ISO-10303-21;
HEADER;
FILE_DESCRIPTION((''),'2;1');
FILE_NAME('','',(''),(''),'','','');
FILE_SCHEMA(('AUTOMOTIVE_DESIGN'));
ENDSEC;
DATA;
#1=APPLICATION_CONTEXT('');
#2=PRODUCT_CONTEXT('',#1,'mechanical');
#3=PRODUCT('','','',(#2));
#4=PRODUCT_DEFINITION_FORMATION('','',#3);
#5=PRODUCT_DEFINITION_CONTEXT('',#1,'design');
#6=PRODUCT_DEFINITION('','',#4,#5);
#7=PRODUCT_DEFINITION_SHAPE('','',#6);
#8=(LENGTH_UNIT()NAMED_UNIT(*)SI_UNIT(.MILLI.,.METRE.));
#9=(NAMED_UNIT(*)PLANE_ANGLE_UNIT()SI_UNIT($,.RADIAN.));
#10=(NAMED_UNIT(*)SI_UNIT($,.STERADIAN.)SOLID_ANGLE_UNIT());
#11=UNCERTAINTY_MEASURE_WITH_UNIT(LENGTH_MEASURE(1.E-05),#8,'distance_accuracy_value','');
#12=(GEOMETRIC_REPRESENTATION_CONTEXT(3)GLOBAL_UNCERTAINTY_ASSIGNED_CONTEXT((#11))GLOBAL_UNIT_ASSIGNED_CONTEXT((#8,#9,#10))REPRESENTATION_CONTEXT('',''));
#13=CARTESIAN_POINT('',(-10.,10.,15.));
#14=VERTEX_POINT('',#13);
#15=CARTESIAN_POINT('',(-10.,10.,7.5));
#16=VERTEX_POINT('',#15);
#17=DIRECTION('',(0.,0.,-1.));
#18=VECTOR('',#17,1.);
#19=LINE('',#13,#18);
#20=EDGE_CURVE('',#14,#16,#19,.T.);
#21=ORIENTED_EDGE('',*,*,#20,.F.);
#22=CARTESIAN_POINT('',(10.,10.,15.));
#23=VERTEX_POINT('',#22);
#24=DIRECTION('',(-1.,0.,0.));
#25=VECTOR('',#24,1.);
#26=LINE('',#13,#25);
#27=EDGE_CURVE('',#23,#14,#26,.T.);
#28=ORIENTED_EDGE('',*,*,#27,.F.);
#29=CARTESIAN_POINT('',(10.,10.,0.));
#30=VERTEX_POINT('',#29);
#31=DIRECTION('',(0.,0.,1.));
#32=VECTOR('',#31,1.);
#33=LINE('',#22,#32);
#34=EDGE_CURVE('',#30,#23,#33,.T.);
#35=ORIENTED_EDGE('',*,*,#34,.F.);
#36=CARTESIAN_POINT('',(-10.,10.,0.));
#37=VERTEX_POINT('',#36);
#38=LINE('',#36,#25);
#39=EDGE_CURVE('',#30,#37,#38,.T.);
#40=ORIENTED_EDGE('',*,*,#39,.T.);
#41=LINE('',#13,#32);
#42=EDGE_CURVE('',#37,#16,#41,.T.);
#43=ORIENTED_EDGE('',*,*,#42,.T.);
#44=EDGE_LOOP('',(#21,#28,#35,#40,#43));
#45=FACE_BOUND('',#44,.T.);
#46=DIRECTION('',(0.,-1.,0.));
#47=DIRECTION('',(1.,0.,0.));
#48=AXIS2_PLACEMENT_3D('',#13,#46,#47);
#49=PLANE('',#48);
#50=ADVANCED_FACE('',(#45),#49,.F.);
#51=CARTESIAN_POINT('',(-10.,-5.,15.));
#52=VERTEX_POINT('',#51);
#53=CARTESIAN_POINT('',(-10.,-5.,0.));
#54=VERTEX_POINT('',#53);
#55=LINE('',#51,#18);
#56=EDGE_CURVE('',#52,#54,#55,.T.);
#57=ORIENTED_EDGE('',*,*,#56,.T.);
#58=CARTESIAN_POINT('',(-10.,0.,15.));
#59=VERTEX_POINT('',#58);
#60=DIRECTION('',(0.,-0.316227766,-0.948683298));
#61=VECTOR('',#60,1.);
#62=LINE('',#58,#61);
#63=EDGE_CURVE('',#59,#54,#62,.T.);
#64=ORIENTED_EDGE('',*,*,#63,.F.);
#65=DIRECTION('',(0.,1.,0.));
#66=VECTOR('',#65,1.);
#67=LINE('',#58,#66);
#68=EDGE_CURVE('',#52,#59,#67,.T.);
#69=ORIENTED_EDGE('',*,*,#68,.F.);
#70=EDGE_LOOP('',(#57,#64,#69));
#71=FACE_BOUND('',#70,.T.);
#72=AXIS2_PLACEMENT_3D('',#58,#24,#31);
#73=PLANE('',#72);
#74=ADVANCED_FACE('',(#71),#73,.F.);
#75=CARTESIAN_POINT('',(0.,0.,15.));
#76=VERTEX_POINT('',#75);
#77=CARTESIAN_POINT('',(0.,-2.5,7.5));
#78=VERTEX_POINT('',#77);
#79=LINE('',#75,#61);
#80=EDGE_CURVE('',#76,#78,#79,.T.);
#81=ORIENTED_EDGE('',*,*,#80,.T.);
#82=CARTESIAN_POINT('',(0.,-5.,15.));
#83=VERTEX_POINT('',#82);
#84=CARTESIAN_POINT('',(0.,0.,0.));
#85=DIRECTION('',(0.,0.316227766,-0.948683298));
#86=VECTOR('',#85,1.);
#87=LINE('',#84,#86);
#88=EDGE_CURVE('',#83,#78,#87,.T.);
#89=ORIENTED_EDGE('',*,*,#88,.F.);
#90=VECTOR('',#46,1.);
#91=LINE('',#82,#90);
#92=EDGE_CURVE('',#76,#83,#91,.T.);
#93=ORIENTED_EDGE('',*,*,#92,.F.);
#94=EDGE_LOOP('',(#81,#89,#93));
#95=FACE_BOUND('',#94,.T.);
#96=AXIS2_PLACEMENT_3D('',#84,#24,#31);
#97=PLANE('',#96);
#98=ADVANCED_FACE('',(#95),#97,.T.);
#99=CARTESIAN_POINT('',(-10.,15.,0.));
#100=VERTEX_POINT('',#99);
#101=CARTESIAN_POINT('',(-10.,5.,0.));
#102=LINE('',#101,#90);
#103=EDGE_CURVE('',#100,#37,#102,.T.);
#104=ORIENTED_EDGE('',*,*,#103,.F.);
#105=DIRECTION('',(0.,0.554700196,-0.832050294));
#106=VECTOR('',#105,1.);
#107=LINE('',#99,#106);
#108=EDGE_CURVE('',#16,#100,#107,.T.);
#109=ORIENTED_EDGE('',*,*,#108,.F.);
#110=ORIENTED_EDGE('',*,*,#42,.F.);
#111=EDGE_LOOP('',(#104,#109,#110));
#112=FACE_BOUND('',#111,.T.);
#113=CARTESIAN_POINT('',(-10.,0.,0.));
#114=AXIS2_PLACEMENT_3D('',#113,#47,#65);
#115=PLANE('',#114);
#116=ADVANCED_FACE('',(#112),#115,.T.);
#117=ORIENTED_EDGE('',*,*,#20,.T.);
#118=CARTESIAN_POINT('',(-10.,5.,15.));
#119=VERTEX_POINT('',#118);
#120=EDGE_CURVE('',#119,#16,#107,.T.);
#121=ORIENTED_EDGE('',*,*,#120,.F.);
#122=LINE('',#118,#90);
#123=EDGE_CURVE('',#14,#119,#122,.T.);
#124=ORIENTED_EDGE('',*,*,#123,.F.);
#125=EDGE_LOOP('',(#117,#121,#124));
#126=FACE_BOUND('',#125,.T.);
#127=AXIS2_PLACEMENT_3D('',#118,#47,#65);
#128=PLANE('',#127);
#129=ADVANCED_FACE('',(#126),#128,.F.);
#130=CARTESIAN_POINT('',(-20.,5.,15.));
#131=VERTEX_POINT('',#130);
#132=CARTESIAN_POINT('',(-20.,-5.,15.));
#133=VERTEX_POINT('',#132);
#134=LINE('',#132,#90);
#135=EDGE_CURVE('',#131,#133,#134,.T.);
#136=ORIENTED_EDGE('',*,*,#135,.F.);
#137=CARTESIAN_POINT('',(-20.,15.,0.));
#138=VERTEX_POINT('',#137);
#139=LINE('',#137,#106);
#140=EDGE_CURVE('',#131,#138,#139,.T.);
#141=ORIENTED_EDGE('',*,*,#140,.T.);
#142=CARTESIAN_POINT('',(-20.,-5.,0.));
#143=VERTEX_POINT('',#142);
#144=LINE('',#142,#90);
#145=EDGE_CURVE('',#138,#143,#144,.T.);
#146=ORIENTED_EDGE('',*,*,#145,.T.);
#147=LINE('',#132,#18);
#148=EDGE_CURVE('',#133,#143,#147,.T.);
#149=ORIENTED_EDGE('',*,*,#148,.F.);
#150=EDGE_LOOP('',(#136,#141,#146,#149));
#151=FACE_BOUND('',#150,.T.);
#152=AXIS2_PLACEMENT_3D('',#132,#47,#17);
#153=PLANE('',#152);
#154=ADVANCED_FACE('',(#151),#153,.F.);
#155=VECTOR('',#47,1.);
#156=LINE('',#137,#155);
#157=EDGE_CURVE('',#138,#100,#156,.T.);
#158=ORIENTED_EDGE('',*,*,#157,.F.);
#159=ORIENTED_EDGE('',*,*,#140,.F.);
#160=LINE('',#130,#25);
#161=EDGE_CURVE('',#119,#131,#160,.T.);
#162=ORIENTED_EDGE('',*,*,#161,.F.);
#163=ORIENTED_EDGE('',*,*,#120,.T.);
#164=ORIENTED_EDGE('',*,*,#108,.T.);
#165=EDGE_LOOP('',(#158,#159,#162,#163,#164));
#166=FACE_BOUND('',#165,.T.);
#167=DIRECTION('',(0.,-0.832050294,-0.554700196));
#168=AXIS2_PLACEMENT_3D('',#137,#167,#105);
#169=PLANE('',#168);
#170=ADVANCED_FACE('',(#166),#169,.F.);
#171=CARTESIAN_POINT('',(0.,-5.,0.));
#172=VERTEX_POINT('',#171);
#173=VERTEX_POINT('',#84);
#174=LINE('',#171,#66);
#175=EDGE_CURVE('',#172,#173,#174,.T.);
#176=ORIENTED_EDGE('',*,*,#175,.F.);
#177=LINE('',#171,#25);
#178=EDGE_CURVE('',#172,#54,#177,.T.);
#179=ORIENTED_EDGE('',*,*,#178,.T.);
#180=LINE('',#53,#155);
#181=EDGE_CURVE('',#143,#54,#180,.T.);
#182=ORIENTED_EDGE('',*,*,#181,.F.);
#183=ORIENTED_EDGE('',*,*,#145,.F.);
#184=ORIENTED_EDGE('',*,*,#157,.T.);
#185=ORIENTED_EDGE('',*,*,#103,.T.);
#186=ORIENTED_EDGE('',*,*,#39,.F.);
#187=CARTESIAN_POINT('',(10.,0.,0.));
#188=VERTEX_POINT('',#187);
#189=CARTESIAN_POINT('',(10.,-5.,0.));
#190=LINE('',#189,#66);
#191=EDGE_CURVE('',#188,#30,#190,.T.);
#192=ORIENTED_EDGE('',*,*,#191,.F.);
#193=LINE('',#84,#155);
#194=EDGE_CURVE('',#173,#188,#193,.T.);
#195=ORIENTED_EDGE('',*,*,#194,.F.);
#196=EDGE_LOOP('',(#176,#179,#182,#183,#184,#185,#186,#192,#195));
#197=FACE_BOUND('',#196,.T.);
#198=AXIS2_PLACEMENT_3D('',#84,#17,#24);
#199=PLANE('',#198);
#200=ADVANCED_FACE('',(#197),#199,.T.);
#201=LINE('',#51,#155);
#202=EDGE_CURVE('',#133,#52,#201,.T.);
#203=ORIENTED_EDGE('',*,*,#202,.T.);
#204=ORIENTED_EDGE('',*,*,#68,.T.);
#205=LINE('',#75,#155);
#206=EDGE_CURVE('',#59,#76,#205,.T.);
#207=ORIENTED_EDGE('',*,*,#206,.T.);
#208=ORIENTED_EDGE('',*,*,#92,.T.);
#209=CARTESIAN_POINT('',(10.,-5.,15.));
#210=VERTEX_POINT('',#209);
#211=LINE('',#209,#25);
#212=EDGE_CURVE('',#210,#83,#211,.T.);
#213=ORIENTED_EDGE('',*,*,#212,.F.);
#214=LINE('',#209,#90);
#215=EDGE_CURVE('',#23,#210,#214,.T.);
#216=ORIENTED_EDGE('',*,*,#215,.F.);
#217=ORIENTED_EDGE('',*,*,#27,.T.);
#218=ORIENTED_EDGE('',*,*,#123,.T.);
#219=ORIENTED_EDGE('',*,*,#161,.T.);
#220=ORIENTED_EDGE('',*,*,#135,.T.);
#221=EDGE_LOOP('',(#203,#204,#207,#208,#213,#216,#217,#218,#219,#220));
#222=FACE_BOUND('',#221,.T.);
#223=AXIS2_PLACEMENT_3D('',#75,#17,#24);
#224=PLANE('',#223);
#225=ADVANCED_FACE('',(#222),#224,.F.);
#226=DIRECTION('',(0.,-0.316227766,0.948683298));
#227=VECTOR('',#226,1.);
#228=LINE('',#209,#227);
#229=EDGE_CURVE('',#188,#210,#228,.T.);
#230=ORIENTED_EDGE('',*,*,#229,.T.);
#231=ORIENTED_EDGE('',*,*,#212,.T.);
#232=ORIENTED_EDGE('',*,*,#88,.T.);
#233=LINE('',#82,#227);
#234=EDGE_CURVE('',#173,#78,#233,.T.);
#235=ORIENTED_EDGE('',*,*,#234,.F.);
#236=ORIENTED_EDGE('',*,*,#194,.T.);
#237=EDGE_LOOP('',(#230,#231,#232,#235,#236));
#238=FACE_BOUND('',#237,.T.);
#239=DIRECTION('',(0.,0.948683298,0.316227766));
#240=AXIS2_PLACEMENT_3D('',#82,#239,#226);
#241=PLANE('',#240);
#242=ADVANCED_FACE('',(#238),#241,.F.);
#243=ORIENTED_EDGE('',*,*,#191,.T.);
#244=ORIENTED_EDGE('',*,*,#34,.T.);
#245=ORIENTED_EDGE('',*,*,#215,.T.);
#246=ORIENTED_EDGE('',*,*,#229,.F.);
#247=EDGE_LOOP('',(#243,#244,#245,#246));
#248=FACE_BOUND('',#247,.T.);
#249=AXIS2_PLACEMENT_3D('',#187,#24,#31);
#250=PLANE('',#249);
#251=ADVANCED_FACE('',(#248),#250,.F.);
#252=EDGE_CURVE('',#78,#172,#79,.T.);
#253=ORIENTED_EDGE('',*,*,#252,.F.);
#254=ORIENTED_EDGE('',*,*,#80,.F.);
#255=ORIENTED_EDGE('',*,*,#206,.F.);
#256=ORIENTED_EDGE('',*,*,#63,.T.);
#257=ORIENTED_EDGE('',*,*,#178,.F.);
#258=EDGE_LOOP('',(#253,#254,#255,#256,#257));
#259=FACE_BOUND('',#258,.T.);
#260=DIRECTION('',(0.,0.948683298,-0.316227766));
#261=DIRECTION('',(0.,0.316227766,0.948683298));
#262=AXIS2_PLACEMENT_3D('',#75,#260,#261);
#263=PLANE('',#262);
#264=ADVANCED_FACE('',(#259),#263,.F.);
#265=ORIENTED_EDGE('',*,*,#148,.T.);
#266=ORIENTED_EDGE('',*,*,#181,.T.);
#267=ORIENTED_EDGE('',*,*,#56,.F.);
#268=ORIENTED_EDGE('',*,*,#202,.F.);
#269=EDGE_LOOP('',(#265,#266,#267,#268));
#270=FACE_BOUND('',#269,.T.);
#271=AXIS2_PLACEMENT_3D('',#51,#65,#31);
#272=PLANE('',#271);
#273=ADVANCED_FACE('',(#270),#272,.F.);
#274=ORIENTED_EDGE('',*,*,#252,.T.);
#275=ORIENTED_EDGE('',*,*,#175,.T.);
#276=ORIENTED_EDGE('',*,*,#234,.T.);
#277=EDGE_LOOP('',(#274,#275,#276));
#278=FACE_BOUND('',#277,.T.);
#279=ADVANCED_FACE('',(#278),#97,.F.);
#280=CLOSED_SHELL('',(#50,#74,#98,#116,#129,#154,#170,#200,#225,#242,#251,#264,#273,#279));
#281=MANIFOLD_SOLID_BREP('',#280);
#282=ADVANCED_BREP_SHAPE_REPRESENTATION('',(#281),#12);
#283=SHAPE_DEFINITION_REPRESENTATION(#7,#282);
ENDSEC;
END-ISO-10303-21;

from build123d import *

# Parameters (mm, degrees)
BOSS_EXTRUDE1_DEPTH  = 15
BOSS_EXTRUDE8_DEPTH  = 10
SKETCH5_W            = 15
SKETCH5_H            = 15
BOSS_EXTRUDE10_DEPTH = 10
CUT_EXTRUDE4_DEPTH   = 10
BOSS_EXTRUDE11_DEPTH = 10


with BuildPart() as part:
    # Sketch1 → Boss-Extrude1 (new body)
    with BuildSketch(Plane.XY):
        Polygon((-20, -5), (-20, 5), (-10, 5), (-10, 10), (0, 10), (0, 0), (-10, 0), (-10, -5), align=None)
    extrude(amount=BOSS_EXTRUDE1_DEPTH)

    # Sketch2 → Boss-Extrude8 (add)
    with BuildSketch(Plane(origin=(-10, 0, 0), x_dir=(0, 0, -1), z_dir=(1, 0, 0))):
        Polygon((0, 0), (0, -5), (-15, 0), align=None)
    extrude(amount=BOSS_EXTRUDE8_DEPTH)

    # Sketch5 → Boss-Extrude10 (add)
    with BuildSketch(Plane(origin=(0, 0, 0), x_dir=(0, 0, -1), z_dir=(1, 0, 0))):
        with Locations((-7.5, 2.5)):
            Rectangle(SKETCH5_W, SKETCH5_H)
    extrude(amount=BOSS_EXTRUDE10_DEPTH)

    # Sketch6 → Cut-Extrude4 (cut)
    with BuildSketch(Plane(origin=(10, 0, 0), x_dir=(0, 0, -1), z_dir=(1, 0, 0))):
        Polygon((-15, -5), (0, 0), (0, -5), align=None)
    extrude(amount=-CUT_EXTRUDE4_DEPTH, mode=Mode.SUBTRACT)

    # Sketch7 → Boss-Extrude11 (add)
    with BuildSketch(Plane.ZY.offset(10)):
        Polygon((0, 5), (0, 15), (15, 5), align=None)
    extrude(amount=BOSS_EXTRUDE11_DEPTH)


solid = part.part
